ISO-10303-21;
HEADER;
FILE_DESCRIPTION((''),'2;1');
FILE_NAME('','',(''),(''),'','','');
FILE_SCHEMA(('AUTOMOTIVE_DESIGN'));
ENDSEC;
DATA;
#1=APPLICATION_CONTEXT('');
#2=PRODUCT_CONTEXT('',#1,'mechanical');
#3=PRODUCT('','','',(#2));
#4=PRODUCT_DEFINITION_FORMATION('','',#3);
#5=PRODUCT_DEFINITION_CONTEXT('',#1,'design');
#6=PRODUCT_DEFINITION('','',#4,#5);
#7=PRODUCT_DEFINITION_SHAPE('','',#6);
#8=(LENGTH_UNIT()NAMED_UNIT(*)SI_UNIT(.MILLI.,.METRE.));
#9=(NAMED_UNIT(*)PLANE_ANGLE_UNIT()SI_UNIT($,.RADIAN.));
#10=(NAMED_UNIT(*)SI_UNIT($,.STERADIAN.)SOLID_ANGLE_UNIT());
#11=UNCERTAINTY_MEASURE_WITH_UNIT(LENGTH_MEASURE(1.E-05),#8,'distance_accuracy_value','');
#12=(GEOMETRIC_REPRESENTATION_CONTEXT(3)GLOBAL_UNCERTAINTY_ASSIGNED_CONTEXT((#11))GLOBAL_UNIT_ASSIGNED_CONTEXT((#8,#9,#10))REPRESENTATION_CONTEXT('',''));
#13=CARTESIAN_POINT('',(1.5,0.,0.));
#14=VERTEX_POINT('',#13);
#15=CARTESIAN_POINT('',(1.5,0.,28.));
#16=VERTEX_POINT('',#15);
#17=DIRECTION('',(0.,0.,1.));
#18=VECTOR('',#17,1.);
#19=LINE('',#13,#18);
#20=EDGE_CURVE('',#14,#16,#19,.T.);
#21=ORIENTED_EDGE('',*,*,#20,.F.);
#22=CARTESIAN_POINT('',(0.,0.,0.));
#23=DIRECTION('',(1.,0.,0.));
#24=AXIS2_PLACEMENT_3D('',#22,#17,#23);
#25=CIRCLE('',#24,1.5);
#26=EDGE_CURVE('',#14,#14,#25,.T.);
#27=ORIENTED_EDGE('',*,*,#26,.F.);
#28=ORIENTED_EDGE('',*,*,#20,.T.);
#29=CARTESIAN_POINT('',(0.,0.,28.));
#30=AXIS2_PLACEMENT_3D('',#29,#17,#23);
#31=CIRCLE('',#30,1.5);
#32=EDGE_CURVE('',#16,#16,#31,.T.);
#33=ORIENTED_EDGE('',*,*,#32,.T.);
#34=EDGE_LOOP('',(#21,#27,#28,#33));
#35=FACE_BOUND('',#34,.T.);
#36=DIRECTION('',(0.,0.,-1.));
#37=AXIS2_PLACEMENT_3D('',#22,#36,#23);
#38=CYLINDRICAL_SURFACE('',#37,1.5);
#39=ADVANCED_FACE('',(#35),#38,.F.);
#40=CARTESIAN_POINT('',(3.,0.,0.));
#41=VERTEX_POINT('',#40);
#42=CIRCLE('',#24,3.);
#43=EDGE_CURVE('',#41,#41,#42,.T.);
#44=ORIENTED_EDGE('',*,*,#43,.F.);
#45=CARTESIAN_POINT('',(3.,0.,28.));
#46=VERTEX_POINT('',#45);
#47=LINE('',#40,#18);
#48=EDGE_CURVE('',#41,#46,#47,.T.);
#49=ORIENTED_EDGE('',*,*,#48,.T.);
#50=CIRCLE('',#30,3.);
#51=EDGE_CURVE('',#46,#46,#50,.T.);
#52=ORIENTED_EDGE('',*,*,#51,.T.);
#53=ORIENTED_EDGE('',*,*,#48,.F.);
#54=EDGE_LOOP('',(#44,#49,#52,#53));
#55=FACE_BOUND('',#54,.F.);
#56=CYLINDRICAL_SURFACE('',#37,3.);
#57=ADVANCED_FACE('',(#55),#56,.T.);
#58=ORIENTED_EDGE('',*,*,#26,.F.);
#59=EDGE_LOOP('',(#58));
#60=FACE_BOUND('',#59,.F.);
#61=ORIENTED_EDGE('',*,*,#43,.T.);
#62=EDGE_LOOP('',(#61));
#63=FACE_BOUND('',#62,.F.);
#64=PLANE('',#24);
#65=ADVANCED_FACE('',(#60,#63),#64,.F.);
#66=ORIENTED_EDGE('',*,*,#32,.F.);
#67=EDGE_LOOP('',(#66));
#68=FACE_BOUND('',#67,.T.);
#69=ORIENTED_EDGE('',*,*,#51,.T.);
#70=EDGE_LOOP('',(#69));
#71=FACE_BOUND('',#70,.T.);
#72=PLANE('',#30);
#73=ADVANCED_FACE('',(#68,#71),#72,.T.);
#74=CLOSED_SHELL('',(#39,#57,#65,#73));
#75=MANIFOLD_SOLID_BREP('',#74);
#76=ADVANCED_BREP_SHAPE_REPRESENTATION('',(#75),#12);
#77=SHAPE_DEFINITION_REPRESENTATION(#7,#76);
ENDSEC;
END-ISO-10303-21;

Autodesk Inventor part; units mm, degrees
ref_plane "YZ Plane" through (0, 0, 0) normal (1, 0, 0) x (0, 1, 0)
ref_plane "XZ Plane" through (0, 0, 0) normal (0, 1, 0) x (-1, 0, 0)
ref_plane "XY Plane" through (0, 0, 0) normal (0, 0, 1) x (1, 0, 0)
sketch "スケッチ1" plane through (0, 0, 0) normal (0, 0, 1) x (1, 0, 0)
  circle A0 centre (0, 0) radius 3
  circle A1 centre (0, 0) radius 1.5
  dimension "d0" = 6
  dimension "d1" = 3
extrude "押し出し1" add sketch "スケッチ1" along normal blind 28
properties part number "スペーサーm3-28　簡易筒型" material "アルミニウム 2014-T4"
